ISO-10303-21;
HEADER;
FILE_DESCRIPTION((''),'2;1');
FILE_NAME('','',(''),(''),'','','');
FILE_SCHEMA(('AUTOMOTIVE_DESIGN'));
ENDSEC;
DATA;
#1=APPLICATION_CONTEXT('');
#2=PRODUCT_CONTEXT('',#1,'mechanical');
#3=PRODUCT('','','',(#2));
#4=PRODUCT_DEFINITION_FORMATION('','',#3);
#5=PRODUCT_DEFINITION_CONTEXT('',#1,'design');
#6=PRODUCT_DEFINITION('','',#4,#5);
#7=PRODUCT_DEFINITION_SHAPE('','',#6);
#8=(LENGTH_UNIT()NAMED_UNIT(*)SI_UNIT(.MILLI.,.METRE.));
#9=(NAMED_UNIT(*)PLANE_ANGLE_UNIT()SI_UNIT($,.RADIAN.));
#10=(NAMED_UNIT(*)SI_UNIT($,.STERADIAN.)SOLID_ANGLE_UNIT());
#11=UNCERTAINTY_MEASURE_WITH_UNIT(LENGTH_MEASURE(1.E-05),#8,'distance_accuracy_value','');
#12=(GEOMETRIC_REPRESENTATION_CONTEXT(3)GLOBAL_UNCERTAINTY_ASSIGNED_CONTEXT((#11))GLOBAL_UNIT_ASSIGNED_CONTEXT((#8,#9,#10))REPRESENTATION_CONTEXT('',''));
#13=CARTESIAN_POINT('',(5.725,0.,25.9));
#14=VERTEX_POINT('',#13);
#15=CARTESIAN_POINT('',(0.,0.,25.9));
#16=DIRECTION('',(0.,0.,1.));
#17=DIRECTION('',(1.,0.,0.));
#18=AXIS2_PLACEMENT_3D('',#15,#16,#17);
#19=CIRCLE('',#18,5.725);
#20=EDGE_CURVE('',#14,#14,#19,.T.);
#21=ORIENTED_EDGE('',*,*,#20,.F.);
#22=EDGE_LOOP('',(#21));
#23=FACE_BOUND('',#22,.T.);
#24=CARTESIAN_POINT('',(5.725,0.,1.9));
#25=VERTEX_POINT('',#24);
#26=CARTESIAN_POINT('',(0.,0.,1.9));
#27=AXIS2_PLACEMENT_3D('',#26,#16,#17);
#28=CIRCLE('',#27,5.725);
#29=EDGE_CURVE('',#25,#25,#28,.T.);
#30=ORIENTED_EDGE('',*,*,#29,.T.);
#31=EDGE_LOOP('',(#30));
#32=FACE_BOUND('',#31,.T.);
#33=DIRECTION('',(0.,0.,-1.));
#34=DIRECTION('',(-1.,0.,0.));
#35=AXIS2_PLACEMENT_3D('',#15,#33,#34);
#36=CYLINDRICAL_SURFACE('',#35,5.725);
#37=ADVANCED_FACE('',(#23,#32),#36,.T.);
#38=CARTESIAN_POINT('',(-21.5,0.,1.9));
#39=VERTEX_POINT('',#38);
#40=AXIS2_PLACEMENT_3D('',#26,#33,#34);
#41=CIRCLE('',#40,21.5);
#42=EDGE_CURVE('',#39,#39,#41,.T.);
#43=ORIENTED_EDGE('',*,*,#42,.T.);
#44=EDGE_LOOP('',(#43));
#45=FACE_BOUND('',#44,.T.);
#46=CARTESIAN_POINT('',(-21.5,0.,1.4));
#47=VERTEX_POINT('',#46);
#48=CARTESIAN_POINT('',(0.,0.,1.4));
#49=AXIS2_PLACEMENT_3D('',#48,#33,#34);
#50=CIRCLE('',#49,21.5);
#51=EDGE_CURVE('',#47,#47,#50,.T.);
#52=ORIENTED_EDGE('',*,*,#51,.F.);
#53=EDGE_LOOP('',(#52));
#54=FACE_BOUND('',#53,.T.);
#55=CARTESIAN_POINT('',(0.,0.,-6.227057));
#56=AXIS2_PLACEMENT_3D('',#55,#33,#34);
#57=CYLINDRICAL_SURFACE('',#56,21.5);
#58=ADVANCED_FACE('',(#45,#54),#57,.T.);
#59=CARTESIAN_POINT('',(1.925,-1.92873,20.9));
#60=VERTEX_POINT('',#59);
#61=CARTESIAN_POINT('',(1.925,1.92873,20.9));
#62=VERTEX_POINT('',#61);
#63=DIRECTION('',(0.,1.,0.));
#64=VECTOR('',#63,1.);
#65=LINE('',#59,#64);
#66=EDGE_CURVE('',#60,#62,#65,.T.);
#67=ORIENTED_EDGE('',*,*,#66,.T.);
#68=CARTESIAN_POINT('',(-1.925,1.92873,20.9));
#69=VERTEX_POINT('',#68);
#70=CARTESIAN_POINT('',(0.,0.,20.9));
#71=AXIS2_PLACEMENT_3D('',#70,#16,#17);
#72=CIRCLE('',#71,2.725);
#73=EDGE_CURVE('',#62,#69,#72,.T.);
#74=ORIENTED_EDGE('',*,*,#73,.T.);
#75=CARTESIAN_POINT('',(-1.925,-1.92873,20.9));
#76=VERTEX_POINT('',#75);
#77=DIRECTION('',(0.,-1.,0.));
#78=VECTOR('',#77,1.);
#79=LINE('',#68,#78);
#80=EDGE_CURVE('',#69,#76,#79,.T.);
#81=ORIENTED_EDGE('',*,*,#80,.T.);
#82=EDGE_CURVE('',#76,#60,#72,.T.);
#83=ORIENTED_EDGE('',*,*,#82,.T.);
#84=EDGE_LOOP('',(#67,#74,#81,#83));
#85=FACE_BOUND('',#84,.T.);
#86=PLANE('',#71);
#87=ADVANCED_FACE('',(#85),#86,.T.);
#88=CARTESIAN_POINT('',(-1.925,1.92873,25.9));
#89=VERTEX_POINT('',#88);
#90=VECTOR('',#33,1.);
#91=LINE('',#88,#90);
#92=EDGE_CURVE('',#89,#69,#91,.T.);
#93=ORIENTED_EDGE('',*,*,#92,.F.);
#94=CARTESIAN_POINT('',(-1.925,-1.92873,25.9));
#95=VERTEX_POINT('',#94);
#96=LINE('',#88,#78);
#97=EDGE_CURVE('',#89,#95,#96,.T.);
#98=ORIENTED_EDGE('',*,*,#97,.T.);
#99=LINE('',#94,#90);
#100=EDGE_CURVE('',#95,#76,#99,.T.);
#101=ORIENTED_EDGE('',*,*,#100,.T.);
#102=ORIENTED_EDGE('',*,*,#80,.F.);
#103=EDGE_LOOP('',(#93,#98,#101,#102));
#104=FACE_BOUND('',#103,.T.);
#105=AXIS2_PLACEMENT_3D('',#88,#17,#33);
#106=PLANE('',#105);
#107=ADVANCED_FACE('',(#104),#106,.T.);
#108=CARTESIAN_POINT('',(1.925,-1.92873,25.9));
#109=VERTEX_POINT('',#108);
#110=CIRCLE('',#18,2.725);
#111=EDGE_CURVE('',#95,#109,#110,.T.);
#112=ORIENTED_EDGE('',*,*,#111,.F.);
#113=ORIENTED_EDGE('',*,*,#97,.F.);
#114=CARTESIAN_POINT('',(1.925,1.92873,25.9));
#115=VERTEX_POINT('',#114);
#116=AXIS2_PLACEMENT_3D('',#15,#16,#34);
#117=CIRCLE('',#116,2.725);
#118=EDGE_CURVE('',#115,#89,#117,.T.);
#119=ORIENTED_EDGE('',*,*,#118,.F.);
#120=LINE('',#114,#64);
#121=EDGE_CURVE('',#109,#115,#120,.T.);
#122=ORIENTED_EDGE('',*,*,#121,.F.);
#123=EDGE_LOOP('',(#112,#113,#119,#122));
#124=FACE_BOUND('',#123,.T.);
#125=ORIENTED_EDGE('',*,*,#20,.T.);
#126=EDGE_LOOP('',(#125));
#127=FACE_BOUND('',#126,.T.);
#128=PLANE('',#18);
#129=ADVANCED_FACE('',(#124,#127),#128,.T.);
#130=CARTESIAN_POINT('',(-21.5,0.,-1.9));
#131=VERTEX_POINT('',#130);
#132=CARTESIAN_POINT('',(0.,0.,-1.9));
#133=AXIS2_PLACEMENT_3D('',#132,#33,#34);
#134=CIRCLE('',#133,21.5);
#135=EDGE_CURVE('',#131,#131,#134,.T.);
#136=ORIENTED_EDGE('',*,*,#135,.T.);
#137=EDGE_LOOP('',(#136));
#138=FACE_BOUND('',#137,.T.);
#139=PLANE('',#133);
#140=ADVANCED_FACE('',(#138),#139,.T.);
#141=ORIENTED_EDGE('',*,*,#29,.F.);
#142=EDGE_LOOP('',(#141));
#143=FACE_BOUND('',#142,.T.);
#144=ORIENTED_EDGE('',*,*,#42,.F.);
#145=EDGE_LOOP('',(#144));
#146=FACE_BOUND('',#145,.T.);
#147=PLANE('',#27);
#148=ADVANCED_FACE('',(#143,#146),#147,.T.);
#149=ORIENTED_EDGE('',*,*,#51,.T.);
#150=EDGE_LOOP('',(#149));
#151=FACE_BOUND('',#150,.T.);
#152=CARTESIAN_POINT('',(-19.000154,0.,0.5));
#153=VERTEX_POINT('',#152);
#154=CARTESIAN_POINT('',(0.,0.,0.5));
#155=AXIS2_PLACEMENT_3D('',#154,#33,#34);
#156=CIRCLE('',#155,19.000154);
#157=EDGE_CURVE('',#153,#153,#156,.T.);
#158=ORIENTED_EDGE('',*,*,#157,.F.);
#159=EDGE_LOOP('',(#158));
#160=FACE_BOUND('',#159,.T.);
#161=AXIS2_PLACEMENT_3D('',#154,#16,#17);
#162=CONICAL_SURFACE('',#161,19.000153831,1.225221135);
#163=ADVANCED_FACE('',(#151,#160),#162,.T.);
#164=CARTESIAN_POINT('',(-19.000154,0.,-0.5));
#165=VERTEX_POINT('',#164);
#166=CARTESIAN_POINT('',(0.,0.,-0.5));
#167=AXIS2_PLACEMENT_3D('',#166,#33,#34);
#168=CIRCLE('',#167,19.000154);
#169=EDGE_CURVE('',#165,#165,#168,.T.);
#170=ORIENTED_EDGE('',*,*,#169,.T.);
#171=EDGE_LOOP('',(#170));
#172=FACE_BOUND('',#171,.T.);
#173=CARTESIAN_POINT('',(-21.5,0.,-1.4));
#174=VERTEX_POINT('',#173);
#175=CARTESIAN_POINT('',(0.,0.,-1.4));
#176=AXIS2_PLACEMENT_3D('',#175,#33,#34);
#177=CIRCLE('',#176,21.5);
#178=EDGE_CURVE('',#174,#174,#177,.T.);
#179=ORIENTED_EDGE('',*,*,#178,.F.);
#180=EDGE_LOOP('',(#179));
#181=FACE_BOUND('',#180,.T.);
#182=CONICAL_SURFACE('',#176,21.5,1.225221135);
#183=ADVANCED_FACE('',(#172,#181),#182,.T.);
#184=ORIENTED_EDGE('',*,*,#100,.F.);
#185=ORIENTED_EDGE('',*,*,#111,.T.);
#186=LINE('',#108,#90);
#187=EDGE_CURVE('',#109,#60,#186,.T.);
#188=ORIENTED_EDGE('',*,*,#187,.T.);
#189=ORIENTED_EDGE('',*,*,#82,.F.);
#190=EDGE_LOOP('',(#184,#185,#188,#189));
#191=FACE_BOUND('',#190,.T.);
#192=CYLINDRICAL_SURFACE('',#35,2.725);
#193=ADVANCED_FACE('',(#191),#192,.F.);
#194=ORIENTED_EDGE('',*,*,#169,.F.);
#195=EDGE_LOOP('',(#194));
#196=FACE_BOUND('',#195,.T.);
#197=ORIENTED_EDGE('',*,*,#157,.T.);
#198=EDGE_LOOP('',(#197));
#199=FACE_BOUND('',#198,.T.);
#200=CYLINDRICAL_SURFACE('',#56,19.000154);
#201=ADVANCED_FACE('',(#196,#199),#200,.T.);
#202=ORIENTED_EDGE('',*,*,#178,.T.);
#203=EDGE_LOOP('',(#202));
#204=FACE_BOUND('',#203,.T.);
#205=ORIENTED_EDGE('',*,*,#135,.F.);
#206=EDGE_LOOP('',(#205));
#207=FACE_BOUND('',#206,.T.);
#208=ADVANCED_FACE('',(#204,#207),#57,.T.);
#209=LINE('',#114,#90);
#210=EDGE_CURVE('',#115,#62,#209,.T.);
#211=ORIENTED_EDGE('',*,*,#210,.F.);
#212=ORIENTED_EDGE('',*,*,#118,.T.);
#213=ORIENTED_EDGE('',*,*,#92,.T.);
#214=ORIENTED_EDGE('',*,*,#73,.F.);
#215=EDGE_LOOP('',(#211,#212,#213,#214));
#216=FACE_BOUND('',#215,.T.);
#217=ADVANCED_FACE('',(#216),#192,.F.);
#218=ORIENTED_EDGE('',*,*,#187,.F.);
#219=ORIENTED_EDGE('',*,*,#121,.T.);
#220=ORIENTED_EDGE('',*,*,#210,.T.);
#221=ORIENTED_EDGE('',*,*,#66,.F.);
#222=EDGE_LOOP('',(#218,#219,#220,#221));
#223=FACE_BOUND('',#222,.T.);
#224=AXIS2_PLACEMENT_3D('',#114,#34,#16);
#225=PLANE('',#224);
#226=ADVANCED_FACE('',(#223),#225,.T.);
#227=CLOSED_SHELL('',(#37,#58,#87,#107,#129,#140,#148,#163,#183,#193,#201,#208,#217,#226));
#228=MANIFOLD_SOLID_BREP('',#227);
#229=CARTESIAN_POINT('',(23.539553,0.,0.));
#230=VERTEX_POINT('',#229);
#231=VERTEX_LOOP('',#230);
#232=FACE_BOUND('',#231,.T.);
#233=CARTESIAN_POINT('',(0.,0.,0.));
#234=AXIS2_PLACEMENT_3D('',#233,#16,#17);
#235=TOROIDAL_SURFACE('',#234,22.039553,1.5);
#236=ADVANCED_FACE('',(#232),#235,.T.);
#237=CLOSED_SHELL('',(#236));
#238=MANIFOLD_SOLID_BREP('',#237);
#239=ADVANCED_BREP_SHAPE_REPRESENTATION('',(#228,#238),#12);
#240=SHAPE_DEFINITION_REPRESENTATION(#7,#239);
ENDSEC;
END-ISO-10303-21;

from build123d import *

# Parameters (mm, degrees)
CROQUIS3_R              = 5.725
SALIENTE_EXTRUIR2_DEPTH = 24
SALIENTE_EXTRUIR3_REACH = 48.199
SALIENTE_EXTRUIR3_START = -5
CROQUIS5_R              = 1.5


with BuildPart() as part:
    # Croquis1 → Revolución1 (revolve)
    with BuildSketch(Plane(origin=(0, 0, 0), x_dir=(0, 0, -1), z_dir=(1, 0, 0)), mode=Mode.PRIVATE) as revoluci_n1_sk:
        Polygon((-1.9, 0), (-1.9, 21.5), (-1.4, 21.5), (-0.5, 19.000153831), (0.5, 19.000153831), (1.4, 21.5), (1.9, 21.5), (1.9, 0), align=None)
    revolve(revoluci_n1_sk.sketch.rotate(Axis((0, 0, -6.227056579), (0, 0, 1)), 90), axis=Axis((0, 0, -6.227056579), (0, 0, 1)))

    # Croquis3 → Saliente-Extruir2 (add)
    with BuildSketch(Plane.XY.offset(1.9)):
        Circle(CROQUIS3_R)
        with BuildLine():
            Line((-1.925, 1.928730152), (-1.925, -1.928730152))
            ThreePointArc((-1.925, -1.928730152), (0, -2.725), (1.925, -1.928730152))
            Line((1.925, -1.928730152), (1.925, 1.928730152))
            ThreePointArc((1.925, 1.928730152), (0, 2.725), (-1.925, 1.928730152))
        make_face(mode=Mode.SUBTRACT)
    extrude(amount=SALIENTE_EXTRUIR2_DEPTH)

    # Croquis4 → Saliente-Extruir3 (add, up to next)
    with BuildSketch(Plane.XY.offset(25.9).offset(SALIENTE_EXTRUIR3_START), mode=Mode.PRIVATE) as saliente_extruir3_sk1:
        with BuildLine():
            Line((-1.925, 1.928730152), (-1.925, -1.928730152))
            ThreePointArc((-1.925, -1.928730152), (0, -2.725), (1.925, -1.928730152))
            Line((1.925, -1.928730152), (1.925, 1.928730152))
            ThreePointArc((1.925, 1.928730152), (0, 2.725), (-1.925, 1.928730152))
        make_face()
    saliente_extruir3_tool1 = extrude(saliente_extruir3_sk1.sketch, amount=-SALIENTE_EXTRUIR3_REACH, mode=Mode.PRIVATE) - part.part
    add(saliente_extruir3_tool1.solids().sort_by_distance((0, 0, 20.9))[0])


with BuildPart() as body_2:
    # Croquis5 → Revolución2 (revolve)
    with BuildSketch(Plane(origin=(0, 0, 0), x_dir=(0, 0, -1), z_dir=(1, 0, 0)), mode=Mode.PRIVATE) as revoluci_n2_sk:
        with Locations((0, 22.039552594)):
            Circle(CROQUIS5_R)
    revolve(revoluci_n2_sk.sketch.rotate(Axis((0, 0, 9.093206655), (0, 0, -1)), 90), axis=Axis((0, 0, 9.093206655), (0, 0, -1)))


solid = Compound([part.part, body_2.part])
